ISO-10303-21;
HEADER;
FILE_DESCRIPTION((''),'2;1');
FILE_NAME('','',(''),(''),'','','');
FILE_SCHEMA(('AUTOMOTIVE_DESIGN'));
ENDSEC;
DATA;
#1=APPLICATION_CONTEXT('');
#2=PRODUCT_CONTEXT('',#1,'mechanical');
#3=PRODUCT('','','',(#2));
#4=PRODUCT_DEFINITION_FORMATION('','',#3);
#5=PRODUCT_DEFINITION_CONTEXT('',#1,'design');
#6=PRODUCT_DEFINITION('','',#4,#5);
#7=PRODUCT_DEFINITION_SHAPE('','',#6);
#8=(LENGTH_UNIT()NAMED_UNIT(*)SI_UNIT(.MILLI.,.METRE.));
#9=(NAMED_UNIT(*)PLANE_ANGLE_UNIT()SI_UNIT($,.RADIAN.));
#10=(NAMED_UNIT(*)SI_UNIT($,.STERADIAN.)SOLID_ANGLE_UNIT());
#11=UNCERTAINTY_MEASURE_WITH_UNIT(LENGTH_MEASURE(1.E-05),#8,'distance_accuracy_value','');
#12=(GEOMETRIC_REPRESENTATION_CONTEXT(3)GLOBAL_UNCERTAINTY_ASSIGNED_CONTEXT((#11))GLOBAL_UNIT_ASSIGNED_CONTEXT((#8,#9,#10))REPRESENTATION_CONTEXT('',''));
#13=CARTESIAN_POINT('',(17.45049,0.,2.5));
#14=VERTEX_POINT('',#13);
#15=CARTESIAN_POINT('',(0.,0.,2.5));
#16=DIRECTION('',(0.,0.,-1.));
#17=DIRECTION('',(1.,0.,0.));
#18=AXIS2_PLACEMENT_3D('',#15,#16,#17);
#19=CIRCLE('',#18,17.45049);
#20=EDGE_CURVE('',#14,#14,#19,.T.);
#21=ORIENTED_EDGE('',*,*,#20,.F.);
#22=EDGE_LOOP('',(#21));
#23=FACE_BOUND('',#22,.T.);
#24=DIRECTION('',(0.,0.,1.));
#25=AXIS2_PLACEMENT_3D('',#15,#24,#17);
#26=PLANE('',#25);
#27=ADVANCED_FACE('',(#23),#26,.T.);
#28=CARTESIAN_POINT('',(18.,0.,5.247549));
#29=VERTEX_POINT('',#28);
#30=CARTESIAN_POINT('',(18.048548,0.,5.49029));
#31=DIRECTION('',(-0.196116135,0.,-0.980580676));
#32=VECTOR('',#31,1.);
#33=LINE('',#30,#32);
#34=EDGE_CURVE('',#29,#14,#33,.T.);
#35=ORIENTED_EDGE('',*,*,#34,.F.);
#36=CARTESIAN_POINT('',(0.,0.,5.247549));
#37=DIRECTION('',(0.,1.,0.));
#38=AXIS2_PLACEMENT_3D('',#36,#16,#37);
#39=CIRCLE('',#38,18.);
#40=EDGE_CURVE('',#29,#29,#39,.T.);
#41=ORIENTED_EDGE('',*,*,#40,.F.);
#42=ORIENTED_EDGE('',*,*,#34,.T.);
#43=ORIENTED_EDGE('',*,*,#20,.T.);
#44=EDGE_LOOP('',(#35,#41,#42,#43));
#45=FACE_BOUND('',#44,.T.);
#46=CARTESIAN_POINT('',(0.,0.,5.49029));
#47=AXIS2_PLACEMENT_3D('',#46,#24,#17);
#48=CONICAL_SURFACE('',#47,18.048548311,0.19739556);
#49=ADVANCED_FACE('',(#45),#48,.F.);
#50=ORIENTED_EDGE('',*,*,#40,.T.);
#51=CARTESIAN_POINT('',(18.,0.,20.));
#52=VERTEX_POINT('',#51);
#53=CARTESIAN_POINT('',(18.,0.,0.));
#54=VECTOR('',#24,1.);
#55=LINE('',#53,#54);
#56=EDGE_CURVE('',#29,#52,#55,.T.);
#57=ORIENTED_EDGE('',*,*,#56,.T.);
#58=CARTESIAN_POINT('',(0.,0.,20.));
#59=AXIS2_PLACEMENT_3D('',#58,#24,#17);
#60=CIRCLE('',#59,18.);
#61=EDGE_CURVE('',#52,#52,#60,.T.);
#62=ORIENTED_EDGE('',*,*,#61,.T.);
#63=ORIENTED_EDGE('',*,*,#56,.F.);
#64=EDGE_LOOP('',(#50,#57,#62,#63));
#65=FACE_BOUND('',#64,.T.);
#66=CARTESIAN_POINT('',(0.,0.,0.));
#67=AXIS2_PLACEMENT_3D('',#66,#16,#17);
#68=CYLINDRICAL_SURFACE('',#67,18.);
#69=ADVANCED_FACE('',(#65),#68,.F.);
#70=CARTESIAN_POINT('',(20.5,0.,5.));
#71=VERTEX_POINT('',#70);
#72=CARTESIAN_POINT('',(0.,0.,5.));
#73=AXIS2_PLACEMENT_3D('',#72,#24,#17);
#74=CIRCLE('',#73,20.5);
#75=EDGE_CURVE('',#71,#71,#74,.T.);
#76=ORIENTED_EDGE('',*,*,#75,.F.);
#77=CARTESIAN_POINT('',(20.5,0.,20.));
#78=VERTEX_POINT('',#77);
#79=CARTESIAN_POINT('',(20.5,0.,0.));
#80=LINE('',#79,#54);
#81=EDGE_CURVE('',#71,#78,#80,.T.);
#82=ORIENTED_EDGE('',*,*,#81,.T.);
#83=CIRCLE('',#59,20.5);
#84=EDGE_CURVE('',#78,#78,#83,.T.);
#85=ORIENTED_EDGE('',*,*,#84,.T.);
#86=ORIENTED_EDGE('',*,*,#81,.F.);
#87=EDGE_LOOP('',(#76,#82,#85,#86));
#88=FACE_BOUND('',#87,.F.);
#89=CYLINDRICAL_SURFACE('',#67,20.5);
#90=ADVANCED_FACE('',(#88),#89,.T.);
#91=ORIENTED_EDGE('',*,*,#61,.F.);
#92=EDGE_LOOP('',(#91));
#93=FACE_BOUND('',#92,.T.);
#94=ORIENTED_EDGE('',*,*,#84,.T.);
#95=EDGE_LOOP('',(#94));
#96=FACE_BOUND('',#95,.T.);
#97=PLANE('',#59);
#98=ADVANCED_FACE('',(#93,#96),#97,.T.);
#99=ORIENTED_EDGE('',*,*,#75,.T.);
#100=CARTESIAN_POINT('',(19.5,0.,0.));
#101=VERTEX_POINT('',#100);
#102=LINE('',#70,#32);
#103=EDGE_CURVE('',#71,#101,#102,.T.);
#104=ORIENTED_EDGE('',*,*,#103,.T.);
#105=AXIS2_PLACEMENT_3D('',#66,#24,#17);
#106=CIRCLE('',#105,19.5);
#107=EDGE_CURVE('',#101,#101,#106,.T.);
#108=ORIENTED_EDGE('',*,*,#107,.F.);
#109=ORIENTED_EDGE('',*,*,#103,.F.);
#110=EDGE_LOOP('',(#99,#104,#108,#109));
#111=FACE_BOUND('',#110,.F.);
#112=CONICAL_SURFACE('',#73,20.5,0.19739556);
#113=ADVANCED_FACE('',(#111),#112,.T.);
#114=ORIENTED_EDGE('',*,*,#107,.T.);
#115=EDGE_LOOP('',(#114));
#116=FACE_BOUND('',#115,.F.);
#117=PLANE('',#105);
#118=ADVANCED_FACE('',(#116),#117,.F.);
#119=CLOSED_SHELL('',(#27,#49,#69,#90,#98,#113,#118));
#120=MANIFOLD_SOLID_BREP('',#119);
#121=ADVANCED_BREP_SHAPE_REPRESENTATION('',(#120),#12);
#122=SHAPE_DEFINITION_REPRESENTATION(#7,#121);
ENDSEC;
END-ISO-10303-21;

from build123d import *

# Parameters (mm, degrees)
F0_R     = 20.5
F1_DEPTH = 20
F2_SIZE2 = 1
F2_SIZE  = 5
F3_T     = -2.5


with BuildPart() as f1:
    # F0 (on Top) → F1 (new body)
    with BuildSketch(Plane.XY):
        Circle(F0_R)
    extrude(amount=F1_DEPTH)

    # F2
    f2_edges = [f1.edges().sort_by_distance(p)[0] for p in [
        (-20.5, 0, 0),
    ]]
    chamfer(f2_edges, length=F2_SIZE, length2=F2_SIZE2)

    # F3
    f3_openings = [f1.faces().sort_by_distance(p)[0] for p in [
        (0, 0, 20),
    ]]
    offset(amount=F3_T, openings=f3_openings)


solid = f1.part
